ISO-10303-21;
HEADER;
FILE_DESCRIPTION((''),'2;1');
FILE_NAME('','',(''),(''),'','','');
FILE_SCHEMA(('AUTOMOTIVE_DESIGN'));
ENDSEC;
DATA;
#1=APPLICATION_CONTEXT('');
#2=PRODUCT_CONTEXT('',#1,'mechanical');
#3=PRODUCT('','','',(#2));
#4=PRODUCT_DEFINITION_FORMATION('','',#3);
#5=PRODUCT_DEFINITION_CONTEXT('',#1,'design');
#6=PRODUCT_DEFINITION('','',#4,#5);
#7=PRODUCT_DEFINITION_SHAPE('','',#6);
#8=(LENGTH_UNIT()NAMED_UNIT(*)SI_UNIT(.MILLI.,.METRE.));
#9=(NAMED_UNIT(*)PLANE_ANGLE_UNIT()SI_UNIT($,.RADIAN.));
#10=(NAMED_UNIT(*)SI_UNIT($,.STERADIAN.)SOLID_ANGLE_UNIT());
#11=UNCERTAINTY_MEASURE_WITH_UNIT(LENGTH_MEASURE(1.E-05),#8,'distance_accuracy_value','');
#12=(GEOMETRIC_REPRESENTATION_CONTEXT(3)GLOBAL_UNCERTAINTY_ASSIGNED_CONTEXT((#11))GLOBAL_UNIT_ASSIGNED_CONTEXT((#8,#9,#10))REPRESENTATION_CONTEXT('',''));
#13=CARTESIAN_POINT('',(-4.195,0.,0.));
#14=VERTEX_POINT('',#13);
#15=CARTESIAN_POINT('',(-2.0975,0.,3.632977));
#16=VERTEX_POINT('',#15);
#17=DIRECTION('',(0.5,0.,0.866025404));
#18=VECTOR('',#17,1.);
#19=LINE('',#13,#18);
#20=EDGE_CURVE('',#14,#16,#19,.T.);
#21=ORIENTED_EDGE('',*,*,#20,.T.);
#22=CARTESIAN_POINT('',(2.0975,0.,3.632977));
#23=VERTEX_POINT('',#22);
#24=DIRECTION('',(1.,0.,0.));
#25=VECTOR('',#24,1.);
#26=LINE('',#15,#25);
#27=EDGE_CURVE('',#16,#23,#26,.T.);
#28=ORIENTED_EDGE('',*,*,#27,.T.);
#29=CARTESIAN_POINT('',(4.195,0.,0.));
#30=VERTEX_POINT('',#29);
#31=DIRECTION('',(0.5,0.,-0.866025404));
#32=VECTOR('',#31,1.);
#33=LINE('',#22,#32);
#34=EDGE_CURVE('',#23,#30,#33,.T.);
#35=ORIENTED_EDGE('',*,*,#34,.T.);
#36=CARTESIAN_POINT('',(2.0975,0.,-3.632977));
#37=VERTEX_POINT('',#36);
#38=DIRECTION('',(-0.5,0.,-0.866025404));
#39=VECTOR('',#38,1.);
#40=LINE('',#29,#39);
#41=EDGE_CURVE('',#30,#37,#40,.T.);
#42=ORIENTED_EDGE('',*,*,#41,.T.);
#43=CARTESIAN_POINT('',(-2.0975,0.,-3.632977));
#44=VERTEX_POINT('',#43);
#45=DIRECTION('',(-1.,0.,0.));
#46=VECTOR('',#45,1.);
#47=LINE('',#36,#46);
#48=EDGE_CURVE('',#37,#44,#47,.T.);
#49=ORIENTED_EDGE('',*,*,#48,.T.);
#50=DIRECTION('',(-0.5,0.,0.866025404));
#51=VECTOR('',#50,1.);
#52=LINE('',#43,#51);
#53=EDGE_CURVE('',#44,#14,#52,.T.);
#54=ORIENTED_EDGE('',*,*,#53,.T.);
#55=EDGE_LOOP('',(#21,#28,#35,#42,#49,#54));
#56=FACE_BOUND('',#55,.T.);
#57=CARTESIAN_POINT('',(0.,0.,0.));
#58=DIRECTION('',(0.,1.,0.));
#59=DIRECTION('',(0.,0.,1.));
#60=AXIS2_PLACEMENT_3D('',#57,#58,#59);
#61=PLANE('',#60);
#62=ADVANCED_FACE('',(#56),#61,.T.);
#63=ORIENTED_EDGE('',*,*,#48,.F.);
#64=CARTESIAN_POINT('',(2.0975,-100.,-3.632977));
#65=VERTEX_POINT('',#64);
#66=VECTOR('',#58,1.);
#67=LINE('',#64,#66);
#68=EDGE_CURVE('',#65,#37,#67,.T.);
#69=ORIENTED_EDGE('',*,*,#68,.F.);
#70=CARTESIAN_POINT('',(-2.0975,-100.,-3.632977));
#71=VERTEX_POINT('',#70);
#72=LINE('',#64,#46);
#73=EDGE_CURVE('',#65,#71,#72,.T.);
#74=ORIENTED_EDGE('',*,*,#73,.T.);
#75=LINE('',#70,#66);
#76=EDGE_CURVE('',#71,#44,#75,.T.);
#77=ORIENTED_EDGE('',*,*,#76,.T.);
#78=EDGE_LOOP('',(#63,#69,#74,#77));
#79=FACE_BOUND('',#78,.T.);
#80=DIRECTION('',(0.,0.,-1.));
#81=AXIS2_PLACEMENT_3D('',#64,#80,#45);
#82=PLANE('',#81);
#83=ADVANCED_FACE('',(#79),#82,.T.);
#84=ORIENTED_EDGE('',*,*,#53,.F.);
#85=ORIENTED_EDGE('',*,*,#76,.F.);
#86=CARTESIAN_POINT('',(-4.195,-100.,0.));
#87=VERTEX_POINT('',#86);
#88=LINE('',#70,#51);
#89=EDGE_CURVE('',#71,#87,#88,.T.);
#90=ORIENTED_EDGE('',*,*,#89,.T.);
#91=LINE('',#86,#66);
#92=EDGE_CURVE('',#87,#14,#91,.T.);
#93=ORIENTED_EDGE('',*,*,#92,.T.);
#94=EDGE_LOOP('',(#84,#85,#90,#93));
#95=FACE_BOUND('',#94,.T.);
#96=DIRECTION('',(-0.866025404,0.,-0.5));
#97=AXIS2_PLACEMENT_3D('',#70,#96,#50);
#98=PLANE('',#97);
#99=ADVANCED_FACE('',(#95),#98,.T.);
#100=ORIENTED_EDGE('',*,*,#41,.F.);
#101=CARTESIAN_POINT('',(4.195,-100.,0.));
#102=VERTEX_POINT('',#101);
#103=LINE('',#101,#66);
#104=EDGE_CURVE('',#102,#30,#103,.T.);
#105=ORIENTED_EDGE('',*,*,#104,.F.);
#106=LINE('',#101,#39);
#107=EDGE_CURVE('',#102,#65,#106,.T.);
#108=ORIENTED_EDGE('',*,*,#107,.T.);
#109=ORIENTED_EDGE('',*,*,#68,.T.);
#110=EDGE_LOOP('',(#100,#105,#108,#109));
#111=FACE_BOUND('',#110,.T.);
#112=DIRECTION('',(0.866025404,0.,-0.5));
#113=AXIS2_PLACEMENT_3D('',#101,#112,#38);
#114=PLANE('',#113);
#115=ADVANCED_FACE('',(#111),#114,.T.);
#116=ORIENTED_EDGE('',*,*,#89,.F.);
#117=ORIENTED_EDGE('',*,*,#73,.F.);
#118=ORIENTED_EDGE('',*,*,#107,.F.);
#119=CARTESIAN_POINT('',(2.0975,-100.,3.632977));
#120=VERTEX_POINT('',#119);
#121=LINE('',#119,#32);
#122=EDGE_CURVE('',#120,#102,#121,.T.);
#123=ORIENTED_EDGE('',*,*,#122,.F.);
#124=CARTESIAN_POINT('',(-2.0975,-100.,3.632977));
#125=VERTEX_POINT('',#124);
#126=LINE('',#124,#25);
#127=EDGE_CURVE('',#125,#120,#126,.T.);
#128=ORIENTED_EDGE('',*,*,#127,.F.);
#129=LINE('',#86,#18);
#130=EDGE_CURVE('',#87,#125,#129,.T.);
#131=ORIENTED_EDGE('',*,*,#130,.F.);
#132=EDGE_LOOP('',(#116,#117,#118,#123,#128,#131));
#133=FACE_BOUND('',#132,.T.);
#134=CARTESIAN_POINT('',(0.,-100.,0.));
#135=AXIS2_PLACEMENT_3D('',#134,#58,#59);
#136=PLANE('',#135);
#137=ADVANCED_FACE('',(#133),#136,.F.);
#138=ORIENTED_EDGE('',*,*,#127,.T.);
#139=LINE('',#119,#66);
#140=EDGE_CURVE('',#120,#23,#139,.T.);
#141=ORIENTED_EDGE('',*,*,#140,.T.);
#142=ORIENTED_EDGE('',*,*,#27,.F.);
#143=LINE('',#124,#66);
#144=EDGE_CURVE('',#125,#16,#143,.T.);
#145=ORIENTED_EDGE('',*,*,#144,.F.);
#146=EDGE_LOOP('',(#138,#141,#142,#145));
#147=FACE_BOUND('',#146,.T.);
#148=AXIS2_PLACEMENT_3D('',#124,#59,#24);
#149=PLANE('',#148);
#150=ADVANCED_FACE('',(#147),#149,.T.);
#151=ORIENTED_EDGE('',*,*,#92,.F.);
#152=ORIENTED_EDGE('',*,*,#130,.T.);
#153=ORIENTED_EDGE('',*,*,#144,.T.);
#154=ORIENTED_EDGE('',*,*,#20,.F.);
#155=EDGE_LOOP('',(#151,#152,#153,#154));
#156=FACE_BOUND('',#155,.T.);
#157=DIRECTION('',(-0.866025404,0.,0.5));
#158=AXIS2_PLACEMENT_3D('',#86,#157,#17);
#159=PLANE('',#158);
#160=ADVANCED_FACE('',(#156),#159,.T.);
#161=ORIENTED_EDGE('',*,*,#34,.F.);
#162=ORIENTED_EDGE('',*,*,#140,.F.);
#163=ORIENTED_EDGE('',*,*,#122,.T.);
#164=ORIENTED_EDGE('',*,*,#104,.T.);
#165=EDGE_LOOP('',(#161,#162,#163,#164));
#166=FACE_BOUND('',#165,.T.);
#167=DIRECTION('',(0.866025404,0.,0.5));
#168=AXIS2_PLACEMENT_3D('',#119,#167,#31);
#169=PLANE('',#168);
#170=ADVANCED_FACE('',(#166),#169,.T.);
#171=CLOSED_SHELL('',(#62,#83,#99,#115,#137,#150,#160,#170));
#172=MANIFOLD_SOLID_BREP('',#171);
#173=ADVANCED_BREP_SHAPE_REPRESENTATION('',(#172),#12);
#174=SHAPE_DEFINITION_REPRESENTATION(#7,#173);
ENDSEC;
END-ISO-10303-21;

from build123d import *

# Parameters (mm, degrees)
BOSS_EXTRUDE1_DEPTH = 100


with BuildPart() as part:
    # Sketch1 → Boss-Extrude1 (new body)
    with BuildSketch(Plane(origin=(0, 0, 0), x_dir=(1, 0, 0), z_dir=(0, 1, 0))):
        Polygon((2.0975, 3.632976569), (-2.0975, 3.632976569), (-4.195, 0), (-2.0975, -3.632976569), (2.0975, -3.632976569), (4.195, 0), align=None)
    extrude(amount=-BOSS_EXTRUDE1_DEPTH)


solid = part.part
